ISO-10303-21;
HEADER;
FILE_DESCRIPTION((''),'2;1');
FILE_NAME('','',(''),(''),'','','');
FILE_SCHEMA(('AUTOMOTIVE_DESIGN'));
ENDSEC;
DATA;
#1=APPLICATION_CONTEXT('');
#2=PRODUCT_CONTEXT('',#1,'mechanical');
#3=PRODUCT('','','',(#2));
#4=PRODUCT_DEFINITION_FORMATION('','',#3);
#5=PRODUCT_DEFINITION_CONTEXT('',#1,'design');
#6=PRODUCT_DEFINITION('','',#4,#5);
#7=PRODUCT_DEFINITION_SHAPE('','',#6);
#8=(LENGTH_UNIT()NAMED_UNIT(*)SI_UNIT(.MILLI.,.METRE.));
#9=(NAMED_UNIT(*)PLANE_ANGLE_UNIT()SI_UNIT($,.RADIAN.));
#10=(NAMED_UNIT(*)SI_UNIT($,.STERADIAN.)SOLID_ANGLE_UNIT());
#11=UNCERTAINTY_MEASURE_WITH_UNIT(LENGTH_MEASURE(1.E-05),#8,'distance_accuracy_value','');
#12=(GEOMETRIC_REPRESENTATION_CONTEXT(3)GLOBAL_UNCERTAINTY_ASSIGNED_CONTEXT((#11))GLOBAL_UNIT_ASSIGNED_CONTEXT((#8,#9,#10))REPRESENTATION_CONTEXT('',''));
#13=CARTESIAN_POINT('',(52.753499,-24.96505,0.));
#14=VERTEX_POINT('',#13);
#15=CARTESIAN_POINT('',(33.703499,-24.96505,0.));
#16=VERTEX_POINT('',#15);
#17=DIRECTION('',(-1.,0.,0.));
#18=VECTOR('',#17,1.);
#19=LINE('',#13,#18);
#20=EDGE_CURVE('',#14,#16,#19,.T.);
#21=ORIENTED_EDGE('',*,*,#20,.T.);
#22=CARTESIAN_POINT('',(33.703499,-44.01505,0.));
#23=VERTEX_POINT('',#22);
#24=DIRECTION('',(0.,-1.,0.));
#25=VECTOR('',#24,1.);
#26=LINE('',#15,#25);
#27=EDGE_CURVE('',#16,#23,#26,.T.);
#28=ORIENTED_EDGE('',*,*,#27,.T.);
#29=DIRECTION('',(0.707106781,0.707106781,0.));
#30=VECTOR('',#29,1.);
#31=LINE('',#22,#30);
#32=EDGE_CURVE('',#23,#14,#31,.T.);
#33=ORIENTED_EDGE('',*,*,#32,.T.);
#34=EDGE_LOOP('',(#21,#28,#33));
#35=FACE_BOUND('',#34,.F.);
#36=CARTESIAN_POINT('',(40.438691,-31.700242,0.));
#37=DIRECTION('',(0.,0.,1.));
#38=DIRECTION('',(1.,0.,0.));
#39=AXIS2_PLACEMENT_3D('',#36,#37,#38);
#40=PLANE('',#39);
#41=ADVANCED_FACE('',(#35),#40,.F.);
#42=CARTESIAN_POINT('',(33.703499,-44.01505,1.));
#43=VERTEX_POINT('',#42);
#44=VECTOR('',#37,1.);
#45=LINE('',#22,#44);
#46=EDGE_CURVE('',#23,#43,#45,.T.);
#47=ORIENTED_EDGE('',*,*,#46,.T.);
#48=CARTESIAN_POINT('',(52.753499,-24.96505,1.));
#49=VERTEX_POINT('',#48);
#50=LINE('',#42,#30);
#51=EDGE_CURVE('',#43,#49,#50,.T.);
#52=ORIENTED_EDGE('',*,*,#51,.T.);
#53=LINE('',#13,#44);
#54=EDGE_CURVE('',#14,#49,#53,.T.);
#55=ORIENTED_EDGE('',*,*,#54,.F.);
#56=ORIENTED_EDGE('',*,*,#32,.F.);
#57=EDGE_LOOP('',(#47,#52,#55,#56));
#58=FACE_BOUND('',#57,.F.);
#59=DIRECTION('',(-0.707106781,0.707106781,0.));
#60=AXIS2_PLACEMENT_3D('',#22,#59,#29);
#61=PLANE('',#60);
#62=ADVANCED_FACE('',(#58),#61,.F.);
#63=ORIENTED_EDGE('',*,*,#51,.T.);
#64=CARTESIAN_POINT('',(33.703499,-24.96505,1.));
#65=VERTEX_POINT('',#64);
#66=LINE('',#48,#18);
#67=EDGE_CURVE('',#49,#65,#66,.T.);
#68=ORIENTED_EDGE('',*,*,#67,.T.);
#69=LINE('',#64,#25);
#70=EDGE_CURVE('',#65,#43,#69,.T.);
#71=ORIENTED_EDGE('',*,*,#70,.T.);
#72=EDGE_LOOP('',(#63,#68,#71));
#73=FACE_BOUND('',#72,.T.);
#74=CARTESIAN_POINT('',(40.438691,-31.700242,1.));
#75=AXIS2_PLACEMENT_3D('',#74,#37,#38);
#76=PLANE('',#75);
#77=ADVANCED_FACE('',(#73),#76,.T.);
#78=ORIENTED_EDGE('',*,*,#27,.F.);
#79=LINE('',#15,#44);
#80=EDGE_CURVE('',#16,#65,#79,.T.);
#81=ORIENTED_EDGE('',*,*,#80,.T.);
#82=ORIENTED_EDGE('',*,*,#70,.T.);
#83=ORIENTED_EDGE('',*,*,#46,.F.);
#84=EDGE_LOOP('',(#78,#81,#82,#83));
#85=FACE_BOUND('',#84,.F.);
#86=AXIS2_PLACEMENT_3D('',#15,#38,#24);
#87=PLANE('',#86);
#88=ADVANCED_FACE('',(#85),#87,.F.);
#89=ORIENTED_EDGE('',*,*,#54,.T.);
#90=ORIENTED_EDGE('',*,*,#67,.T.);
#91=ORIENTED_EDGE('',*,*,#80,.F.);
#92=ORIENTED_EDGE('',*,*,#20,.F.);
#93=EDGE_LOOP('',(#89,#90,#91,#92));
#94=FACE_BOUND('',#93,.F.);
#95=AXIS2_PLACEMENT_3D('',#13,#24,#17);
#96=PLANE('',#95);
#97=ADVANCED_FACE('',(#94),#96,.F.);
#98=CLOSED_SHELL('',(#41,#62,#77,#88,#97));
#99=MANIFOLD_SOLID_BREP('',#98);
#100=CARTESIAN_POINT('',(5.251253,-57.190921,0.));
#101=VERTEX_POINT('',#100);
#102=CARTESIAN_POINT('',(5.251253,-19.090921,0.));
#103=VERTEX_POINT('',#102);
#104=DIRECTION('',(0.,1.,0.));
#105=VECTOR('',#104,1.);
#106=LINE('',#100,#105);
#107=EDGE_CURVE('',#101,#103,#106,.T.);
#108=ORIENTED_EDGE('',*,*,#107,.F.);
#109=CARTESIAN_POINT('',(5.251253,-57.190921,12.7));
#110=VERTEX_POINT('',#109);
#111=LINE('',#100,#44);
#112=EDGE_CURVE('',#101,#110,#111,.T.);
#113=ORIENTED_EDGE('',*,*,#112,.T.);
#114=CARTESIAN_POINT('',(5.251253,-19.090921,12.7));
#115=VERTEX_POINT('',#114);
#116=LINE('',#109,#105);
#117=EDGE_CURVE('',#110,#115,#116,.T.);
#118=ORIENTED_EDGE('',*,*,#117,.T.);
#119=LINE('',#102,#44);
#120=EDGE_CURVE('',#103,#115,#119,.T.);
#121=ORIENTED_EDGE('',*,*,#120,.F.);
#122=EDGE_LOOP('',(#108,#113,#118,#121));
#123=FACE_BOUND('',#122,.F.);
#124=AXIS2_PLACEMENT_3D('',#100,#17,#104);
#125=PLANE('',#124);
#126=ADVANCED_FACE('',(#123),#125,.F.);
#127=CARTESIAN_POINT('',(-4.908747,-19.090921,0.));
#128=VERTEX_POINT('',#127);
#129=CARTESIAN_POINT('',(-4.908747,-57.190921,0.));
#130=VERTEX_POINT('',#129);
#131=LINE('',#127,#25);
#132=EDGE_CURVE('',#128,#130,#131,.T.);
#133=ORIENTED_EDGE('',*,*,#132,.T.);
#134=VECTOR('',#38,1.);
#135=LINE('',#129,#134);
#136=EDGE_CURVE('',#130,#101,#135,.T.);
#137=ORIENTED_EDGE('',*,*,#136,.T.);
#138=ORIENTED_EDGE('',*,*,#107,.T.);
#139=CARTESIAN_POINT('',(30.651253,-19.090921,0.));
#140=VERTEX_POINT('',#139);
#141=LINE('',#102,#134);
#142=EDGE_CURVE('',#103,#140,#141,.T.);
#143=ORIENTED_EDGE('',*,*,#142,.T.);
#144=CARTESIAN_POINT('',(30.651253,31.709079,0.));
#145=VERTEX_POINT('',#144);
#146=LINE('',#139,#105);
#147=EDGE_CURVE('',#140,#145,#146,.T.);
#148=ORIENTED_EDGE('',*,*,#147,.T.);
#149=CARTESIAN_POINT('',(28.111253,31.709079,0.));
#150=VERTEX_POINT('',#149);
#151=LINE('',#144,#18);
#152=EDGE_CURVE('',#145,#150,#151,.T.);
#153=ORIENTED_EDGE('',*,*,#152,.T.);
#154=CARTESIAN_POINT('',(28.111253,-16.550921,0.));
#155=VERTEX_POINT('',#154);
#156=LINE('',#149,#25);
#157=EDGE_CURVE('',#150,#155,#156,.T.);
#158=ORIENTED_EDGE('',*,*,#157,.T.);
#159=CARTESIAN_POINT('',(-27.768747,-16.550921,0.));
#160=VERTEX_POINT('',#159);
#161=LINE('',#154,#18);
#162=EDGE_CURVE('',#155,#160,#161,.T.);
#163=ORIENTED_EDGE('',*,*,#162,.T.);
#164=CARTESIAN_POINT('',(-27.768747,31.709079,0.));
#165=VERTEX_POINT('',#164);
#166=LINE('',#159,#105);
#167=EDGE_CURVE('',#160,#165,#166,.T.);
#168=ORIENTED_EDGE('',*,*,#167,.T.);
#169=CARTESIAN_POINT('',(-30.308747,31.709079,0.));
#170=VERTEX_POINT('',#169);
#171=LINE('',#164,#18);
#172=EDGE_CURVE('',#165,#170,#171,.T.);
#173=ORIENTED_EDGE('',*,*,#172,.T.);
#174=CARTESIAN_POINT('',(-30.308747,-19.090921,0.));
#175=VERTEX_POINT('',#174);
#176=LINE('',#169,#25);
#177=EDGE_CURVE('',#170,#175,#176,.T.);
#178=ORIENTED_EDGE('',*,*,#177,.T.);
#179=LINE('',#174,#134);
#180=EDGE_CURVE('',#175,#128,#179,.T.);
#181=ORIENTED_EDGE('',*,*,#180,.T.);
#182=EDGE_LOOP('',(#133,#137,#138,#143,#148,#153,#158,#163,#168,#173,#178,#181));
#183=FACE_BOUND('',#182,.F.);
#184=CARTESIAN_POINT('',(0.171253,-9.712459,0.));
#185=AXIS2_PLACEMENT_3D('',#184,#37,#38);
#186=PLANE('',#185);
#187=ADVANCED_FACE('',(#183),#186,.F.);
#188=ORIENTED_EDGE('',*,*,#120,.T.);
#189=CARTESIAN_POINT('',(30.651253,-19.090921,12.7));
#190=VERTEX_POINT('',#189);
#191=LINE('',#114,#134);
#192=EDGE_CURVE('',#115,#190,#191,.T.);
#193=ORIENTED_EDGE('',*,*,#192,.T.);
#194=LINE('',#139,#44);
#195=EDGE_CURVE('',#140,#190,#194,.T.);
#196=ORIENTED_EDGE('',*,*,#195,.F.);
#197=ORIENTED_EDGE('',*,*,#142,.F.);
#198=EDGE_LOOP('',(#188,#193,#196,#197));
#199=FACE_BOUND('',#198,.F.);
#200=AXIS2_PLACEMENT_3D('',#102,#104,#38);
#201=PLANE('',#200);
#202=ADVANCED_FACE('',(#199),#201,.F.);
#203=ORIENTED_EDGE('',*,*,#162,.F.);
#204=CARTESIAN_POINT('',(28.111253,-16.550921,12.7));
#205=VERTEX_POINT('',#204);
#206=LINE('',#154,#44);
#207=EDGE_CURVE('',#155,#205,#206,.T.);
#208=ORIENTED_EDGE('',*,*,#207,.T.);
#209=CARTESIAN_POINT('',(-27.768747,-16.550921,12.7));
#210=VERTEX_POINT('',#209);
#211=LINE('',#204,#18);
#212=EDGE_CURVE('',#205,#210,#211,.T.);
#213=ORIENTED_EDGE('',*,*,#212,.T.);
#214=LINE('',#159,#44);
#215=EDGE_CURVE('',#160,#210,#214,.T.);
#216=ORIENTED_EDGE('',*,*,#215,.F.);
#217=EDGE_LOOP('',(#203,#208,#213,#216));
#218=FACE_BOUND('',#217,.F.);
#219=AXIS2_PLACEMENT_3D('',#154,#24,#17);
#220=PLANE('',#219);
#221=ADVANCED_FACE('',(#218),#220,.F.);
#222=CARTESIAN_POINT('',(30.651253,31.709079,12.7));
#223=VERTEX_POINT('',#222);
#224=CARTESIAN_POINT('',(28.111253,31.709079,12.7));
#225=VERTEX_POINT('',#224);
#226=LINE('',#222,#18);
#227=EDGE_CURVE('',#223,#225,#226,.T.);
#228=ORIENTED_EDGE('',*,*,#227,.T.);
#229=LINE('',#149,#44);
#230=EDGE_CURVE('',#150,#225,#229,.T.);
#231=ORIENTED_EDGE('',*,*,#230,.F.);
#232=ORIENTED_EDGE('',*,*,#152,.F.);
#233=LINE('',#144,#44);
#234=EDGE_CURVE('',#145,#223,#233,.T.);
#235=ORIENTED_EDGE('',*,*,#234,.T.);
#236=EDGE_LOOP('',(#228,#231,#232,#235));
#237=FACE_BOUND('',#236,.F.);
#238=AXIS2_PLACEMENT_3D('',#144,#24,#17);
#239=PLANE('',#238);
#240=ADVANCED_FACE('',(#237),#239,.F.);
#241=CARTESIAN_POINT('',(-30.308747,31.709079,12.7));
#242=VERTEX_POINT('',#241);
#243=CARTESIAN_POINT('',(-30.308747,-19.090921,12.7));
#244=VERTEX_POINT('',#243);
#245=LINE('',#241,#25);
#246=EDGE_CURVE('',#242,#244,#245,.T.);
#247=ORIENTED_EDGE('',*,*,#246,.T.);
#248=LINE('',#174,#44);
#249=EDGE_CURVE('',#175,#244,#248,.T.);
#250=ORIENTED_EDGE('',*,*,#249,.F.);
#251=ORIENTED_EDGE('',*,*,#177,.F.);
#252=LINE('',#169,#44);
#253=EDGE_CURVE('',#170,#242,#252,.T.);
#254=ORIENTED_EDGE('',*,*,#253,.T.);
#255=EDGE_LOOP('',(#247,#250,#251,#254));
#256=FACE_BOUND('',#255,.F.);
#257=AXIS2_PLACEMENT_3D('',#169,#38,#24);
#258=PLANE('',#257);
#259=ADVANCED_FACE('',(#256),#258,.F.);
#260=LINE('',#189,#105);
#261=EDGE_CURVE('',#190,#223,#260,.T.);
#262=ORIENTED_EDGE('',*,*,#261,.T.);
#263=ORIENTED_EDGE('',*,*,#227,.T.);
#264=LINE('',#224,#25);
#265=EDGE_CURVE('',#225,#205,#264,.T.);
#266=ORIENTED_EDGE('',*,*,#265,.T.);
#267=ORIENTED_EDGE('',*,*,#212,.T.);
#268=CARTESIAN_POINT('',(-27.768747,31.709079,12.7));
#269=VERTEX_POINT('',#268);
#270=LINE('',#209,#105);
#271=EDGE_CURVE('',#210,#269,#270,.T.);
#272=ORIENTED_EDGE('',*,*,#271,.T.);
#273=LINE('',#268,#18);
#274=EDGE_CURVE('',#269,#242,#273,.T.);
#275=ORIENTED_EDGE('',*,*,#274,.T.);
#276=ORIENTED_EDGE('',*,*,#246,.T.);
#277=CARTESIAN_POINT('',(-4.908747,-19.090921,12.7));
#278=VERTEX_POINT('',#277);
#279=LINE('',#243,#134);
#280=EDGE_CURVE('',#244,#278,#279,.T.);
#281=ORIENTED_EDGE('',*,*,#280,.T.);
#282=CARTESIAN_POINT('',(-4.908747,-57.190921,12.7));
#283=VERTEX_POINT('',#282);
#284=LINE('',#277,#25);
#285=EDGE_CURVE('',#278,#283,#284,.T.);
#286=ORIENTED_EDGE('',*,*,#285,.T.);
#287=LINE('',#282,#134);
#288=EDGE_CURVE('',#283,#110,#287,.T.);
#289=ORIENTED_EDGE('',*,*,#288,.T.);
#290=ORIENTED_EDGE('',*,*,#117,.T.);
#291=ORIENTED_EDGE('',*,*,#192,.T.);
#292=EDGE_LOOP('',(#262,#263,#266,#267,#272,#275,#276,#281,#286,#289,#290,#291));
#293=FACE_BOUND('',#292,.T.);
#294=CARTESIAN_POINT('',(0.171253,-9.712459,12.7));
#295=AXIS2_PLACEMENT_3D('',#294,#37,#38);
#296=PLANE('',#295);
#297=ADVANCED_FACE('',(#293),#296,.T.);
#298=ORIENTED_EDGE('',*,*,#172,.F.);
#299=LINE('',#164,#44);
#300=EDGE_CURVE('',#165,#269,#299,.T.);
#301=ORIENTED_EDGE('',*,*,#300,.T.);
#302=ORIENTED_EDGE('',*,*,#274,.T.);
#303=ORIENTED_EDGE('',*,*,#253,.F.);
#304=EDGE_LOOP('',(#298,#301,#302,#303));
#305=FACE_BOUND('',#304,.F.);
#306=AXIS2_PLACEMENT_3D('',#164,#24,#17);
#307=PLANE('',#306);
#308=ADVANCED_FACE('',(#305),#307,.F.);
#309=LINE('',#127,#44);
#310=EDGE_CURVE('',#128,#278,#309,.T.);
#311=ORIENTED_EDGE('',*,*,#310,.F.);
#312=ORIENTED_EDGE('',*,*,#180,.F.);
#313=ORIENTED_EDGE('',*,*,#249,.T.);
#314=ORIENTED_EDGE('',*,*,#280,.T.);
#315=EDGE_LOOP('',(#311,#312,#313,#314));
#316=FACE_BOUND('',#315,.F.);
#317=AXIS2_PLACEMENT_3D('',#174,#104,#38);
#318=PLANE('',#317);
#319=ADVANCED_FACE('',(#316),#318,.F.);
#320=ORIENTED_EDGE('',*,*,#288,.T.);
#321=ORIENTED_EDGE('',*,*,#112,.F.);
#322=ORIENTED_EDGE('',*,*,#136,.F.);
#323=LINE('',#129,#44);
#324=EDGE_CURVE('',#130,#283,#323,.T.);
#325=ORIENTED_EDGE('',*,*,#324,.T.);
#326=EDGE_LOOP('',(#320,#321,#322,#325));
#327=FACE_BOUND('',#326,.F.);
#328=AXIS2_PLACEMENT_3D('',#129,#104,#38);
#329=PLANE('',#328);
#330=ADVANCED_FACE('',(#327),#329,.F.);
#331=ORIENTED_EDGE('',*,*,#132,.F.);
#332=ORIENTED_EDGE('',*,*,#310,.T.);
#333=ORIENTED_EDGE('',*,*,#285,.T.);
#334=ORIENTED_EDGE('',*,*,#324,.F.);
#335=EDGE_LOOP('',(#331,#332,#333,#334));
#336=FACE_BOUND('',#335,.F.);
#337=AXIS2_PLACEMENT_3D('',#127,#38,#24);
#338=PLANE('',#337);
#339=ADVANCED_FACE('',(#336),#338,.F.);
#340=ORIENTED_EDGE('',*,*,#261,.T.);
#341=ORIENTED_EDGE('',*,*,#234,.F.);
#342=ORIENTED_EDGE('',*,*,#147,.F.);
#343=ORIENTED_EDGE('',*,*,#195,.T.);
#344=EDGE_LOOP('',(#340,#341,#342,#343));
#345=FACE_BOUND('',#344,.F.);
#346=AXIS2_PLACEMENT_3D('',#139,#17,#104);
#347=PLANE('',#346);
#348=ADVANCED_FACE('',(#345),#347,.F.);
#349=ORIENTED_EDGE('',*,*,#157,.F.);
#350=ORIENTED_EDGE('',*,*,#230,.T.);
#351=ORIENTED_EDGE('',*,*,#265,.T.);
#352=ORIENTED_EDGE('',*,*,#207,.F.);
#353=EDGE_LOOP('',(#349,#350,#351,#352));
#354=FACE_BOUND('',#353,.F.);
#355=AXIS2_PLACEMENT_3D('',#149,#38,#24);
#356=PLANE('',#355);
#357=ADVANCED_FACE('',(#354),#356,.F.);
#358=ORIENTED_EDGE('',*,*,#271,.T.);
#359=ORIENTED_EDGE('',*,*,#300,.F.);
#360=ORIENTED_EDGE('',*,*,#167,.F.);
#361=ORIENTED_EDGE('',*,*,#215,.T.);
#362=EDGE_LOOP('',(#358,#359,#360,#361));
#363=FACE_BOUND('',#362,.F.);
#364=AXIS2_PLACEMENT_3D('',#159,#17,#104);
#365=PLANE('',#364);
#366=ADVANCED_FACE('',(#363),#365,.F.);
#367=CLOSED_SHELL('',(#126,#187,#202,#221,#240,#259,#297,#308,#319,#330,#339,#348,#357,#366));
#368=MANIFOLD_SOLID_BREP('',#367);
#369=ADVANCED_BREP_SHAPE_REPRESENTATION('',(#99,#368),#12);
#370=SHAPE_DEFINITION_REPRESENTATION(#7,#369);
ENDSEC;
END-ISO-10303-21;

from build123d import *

# Parameters (mm, degrees)
F1_DEPTH = 12.7
F3_DEPTH = 1


with BuildPart() as f1:
    # F0 (on Top) → F1 (new body)
    with BuildSketch(Plane.XY):
        Polygon((-4.908747, -19.090921), (-4.908747, -57.190921), (5.251253, -57.190921), (5.251253, -19.090921), (30.651253, -19.090921), (30.651253, 31.709079), (28.111253, 31.709079), (28.111253, -16.550921), (-27.768747, -16.550921), (-27.768747, 31.709079), (-30.308747, 31.709079), (-30.308747, -19.090921), align=None)
    extrude(amount=F1_DEPTH)


with BuildPart() as f3:
    # F2 (on Top) → F3 (new body)
    with BuildSketch(Plane.XY):
        Polygon((52.753499, -24.96505), (33.703499, -24.96505), (33.703499, -44.01505), align=None)
    extrude(amount=F3_DEPTH)


solid = Compound([f1.part, f3.part])
